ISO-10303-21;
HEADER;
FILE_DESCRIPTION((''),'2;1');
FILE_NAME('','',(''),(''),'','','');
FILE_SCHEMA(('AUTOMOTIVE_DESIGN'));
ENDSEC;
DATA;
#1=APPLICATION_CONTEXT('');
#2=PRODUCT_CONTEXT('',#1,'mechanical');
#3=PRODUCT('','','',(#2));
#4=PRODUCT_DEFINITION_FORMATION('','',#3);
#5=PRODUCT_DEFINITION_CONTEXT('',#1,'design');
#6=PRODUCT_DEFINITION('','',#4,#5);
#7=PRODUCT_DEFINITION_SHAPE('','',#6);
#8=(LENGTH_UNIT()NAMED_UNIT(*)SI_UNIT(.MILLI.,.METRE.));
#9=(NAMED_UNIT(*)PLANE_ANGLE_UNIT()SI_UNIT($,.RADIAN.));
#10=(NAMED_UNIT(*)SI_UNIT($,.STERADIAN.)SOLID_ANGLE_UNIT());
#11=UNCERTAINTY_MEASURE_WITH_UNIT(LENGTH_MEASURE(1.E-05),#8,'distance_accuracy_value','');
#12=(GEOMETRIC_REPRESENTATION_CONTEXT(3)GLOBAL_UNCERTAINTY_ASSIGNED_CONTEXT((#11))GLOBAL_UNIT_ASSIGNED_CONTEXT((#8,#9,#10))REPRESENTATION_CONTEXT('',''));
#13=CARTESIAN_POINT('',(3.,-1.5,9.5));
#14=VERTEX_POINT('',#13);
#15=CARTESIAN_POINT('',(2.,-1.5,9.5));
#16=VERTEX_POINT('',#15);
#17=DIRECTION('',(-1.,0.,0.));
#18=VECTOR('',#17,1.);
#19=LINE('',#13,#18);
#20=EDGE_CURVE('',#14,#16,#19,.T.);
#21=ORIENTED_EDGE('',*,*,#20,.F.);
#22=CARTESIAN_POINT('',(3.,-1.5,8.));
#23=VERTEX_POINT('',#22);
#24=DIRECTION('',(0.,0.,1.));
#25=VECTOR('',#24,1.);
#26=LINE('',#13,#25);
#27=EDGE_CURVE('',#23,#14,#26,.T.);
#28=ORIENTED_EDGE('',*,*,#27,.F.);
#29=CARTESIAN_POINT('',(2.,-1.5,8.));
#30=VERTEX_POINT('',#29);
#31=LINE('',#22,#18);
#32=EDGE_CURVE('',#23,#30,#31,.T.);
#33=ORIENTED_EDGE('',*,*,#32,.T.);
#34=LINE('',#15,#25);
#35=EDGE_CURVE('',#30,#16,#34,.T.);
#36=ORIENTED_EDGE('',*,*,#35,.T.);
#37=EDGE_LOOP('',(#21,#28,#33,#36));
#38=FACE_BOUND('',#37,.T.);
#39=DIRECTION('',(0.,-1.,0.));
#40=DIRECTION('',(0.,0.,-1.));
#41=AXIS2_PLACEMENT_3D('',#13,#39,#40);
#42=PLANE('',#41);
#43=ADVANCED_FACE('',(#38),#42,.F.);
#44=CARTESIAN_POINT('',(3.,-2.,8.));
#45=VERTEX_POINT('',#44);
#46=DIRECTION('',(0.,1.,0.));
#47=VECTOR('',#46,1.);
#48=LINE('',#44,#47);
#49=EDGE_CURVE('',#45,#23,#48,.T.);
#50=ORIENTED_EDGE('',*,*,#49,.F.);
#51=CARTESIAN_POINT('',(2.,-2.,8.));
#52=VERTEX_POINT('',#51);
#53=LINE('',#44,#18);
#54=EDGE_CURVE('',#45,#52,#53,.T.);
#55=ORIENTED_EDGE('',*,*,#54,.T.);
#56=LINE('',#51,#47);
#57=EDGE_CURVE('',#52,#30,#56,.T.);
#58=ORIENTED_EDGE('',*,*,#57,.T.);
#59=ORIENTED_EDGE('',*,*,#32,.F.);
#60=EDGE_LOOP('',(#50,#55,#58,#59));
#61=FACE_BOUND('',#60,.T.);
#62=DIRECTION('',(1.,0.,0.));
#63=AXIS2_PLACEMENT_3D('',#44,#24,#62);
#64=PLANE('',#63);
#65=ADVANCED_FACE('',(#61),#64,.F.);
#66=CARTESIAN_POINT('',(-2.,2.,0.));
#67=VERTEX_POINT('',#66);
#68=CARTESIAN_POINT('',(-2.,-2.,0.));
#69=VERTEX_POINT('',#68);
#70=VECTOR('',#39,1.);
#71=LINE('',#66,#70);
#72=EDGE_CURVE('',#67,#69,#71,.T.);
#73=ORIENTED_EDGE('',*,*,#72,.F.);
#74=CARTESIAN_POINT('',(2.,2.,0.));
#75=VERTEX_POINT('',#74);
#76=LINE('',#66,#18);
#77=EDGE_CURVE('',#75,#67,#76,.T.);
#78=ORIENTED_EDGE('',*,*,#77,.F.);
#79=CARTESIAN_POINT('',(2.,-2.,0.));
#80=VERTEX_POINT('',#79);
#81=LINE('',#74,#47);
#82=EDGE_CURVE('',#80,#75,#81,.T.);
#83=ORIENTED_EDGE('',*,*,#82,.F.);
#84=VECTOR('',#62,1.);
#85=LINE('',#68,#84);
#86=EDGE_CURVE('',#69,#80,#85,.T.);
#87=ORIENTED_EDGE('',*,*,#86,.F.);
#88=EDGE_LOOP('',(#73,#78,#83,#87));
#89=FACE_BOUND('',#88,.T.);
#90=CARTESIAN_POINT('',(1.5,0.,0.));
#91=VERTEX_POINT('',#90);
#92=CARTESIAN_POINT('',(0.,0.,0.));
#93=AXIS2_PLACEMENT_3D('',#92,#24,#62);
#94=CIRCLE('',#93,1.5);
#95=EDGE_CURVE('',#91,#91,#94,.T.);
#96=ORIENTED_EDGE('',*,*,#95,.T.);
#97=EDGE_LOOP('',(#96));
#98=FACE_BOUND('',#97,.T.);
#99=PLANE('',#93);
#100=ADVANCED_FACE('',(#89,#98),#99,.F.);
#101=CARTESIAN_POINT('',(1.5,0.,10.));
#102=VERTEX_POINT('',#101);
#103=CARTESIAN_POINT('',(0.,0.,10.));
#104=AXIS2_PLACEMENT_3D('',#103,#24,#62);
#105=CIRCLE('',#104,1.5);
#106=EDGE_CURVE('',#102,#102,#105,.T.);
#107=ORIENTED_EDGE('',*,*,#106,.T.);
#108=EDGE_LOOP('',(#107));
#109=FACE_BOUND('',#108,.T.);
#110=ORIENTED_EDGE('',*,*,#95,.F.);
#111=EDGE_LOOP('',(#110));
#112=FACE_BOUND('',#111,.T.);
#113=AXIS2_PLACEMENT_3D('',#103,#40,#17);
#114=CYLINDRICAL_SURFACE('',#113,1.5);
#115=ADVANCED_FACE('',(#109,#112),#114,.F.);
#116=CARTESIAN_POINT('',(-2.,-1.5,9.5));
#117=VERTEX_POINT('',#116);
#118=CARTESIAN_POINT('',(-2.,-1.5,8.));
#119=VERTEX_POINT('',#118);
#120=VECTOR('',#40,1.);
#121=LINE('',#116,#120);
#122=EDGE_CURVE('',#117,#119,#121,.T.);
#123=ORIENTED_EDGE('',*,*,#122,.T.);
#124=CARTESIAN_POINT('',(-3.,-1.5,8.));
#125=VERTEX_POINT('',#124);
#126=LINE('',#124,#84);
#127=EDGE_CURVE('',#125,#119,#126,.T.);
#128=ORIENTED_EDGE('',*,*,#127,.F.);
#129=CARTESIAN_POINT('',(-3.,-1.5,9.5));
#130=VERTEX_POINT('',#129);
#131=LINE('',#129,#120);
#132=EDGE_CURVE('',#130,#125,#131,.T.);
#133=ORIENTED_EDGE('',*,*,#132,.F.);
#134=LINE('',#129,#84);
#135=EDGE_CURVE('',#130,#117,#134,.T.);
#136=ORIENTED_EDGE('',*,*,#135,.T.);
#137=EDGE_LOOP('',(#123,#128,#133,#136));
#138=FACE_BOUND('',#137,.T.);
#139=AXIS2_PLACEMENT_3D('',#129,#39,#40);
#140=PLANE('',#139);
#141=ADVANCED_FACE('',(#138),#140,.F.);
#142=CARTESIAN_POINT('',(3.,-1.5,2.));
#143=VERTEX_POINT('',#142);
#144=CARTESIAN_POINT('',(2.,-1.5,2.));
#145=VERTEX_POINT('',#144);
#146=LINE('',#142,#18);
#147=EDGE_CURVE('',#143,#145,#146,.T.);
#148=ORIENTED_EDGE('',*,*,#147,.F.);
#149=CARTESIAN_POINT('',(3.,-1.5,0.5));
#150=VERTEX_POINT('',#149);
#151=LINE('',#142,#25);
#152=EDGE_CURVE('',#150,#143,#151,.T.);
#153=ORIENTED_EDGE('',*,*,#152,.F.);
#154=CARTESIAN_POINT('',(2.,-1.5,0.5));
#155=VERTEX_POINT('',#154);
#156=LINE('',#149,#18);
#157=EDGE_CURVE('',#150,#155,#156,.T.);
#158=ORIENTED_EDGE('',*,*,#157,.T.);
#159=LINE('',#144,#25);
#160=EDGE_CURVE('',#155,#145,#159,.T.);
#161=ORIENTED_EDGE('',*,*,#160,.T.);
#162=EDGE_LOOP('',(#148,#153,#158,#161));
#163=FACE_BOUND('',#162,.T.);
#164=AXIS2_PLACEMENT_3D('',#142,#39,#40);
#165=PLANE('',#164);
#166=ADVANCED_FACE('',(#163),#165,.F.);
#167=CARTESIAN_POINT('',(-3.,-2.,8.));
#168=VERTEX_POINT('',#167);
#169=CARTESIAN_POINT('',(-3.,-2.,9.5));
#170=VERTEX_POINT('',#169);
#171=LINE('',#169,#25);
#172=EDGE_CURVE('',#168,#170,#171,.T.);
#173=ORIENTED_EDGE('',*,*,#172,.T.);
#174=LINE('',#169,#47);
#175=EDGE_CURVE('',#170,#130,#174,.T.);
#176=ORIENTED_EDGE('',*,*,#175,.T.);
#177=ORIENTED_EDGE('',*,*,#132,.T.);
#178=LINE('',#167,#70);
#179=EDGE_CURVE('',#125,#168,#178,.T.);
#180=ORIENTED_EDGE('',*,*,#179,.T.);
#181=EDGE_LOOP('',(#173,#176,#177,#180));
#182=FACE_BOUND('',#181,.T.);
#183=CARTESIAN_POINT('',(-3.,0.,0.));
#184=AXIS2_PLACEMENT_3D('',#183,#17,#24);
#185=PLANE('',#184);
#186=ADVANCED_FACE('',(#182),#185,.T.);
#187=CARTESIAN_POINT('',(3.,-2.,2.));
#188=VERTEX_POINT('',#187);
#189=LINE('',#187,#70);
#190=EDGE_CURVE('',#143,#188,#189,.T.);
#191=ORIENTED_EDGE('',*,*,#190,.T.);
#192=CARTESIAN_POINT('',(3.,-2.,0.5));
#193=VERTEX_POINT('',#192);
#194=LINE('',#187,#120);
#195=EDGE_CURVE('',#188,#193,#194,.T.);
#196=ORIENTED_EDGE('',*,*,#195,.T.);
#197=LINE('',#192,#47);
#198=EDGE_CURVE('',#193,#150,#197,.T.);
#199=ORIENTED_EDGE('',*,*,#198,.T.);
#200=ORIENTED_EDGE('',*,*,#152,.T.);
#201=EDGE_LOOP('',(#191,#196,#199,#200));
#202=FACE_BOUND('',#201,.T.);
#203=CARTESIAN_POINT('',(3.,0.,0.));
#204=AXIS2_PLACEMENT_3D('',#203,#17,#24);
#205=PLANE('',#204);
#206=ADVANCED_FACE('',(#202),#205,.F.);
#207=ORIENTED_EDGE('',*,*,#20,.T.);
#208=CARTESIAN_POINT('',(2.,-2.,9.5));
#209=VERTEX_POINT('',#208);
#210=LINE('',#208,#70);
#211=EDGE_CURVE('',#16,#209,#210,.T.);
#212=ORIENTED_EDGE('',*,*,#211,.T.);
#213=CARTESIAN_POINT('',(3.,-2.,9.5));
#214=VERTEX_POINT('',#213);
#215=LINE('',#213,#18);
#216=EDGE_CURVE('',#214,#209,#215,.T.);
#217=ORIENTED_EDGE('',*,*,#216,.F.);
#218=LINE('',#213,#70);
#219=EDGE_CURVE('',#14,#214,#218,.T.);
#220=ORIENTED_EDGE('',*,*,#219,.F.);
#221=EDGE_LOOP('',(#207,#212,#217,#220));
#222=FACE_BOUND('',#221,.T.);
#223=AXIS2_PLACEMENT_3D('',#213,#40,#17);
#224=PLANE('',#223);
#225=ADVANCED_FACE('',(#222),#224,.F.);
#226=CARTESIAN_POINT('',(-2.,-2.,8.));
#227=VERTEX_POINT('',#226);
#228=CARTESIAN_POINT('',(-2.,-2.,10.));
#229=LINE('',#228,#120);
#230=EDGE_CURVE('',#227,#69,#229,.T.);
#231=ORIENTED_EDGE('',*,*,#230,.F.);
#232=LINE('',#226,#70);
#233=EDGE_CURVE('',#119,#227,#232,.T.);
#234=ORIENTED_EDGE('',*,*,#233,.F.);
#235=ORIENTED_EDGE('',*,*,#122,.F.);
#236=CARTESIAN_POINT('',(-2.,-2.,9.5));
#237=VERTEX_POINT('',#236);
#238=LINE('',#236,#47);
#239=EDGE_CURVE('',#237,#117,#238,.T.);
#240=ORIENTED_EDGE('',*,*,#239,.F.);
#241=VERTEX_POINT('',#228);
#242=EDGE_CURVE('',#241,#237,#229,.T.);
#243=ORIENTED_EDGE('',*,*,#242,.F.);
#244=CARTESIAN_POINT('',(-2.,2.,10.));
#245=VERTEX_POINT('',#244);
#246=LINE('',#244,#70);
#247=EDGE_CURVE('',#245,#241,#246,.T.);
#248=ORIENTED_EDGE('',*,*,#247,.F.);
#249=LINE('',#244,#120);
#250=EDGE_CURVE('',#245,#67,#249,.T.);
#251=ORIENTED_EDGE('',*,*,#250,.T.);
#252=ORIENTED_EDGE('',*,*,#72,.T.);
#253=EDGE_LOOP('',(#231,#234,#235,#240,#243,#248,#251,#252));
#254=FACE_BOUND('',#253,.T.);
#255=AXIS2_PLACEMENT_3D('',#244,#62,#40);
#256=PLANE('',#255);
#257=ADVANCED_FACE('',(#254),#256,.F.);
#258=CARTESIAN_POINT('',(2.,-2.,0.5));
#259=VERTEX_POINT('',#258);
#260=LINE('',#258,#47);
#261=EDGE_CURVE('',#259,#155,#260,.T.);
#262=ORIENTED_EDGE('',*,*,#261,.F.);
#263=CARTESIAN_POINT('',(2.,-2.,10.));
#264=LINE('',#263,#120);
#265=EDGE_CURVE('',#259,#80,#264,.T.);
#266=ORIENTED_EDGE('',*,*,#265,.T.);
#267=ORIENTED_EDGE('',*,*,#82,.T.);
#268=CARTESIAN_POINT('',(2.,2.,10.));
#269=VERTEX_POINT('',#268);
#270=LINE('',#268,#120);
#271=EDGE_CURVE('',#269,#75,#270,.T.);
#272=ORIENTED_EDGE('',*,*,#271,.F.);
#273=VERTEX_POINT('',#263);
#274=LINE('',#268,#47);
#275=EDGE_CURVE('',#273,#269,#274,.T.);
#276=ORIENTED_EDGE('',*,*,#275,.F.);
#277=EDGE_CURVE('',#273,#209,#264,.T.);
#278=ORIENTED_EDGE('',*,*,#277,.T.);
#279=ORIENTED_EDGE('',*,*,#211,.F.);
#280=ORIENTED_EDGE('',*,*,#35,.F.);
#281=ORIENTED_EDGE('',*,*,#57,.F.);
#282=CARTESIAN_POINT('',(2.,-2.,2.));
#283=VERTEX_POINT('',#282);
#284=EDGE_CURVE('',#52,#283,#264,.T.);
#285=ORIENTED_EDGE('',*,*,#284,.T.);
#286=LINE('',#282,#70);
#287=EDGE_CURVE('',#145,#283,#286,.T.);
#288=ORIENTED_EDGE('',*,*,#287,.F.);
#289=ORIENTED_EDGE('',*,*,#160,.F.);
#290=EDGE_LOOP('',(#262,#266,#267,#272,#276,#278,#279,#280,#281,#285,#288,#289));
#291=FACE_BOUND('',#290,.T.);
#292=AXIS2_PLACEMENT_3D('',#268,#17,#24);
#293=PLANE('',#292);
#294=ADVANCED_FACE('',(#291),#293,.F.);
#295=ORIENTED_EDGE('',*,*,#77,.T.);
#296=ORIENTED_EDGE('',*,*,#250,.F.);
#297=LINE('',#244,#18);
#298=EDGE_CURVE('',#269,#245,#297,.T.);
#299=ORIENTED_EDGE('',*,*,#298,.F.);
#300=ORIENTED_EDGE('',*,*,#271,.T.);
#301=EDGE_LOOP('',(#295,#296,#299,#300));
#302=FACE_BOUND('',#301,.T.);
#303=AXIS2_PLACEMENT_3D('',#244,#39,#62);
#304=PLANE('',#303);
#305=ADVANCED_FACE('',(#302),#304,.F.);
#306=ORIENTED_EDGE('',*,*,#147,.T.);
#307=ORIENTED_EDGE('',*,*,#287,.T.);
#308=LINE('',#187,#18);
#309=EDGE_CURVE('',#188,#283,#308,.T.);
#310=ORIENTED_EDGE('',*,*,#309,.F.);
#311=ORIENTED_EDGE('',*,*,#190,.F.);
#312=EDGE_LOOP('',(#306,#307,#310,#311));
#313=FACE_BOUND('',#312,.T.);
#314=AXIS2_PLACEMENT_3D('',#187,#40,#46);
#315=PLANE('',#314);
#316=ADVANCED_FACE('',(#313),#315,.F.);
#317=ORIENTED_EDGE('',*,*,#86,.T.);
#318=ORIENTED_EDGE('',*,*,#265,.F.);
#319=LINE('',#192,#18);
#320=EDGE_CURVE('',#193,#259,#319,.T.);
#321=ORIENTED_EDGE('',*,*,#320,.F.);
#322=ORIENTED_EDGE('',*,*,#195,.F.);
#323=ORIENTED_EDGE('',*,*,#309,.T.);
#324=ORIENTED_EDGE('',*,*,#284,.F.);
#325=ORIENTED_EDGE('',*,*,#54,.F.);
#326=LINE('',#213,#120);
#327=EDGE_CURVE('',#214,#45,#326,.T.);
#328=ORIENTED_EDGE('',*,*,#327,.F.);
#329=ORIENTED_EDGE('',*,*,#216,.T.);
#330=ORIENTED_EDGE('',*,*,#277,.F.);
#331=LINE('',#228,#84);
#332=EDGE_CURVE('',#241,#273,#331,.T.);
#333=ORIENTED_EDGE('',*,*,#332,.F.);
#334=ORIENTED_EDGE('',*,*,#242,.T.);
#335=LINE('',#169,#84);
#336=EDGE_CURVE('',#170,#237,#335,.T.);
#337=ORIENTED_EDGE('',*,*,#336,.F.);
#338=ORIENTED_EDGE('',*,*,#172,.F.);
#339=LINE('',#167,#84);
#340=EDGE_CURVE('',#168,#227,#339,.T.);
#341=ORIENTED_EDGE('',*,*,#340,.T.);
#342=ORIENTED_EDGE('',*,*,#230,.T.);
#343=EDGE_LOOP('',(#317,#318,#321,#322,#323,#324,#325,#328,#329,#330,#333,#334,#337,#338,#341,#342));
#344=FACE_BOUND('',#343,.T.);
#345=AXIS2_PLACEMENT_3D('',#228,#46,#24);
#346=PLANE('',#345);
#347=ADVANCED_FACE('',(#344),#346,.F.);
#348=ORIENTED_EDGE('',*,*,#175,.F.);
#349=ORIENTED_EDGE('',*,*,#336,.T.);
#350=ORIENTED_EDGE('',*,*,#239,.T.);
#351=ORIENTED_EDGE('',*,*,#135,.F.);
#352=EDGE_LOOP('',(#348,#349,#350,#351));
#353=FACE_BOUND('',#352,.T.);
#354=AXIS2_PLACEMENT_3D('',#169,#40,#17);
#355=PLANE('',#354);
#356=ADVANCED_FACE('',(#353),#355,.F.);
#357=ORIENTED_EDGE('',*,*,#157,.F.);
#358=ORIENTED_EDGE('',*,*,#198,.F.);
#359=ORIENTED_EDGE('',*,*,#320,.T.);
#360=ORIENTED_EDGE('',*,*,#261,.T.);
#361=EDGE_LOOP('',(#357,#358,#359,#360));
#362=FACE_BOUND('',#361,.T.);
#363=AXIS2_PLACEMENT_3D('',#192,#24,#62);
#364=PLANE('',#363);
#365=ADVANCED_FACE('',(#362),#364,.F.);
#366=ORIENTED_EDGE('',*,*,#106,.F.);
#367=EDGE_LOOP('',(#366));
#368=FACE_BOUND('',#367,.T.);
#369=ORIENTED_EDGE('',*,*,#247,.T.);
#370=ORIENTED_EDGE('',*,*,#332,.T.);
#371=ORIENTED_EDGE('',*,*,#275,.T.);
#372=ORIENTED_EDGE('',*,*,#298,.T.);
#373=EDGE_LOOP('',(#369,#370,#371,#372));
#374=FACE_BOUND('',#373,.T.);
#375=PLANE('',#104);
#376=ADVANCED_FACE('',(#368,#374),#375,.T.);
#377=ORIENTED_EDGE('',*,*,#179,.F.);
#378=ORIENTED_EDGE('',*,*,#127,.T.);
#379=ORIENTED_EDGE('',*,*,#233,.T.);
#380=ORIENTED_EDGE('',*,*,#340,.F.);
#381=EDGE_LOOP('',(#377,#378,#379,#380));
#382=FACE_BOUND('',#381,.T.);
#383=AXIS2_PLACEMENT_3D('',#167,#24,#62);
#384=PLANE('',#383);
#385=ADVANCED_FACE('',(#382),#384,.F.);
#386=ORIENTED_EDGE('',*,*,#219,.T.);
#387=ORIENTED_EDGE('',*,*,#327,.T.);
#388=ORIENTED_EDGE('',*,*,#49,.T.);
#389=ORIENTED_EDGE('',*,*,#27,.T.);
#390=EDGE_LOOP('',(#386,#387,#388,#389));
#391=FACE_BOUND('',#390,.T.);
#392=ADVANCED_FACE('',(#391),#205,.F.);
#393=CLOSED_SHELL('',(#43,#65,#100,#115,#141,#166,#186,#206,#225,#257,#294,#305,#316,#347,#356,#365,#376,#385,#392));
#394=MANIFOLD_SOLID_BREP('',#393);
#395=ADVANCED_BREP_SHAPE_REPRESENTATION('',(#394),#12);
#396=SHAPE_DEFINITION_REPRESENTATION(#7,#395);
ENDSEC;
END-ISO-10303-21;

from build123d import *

# Parameters (mm, degrees)
SKETCH1_W           = 4
SKETCH1_H           = 4
SKETCH1_R           = 1.5
BOSS_EXTRUDE1_DEPTH = 10
SKETCH3_W           = 1.5
SKETCH3_H           = 0.5
BOSS_EXTRUDE2_DEPTH = 1
SKETCH4_W           = 1.5
SKETCH4_H           = 0.5
BOSS_EXTRUDE3_DEPTH = 1


with BuildPart() as part:
    # Sketch1 → Boss-Extrude1 (new body)
    with BuildSketch(Plane.XY):
        Rectangle(SKETCH1_W, SKETCH1_H)
        Circle(SKETCH1_R, mode=Mode.SUBTRACT)
    extrude(amount=BOSS_EXTRUDE1_DEPTH)

    # Sketch3 → Boss-Extrude2 (add)
    with BuildSketch(Plane(origin=(2, 0, 0), x_dir=(0, 0, -1), z_dir=(1, 0, 0))):
        with Locations((-8.75, -1.75)):
            Rectangle(SKETCH3_W, SKETCH3_H)
        with Locations((-1.25, -1.75)):
            Rectangle(SKETCH3_W, SKETCH3_H)
    extrude(amount=BOSS_EXTRUDE2_DEPTH)

    # Sketch4 → Boss-Extrude3 (add)
    with BuildSketch(Plane.ZY.offset(2)):
        with Locations((8.75, -1.75)):
            Rectangle(SKETCH4_W, SKETCH4_H)
    extrude(amount=BOSS_EXTRUDE3_DEPTH)


solid = part.part
